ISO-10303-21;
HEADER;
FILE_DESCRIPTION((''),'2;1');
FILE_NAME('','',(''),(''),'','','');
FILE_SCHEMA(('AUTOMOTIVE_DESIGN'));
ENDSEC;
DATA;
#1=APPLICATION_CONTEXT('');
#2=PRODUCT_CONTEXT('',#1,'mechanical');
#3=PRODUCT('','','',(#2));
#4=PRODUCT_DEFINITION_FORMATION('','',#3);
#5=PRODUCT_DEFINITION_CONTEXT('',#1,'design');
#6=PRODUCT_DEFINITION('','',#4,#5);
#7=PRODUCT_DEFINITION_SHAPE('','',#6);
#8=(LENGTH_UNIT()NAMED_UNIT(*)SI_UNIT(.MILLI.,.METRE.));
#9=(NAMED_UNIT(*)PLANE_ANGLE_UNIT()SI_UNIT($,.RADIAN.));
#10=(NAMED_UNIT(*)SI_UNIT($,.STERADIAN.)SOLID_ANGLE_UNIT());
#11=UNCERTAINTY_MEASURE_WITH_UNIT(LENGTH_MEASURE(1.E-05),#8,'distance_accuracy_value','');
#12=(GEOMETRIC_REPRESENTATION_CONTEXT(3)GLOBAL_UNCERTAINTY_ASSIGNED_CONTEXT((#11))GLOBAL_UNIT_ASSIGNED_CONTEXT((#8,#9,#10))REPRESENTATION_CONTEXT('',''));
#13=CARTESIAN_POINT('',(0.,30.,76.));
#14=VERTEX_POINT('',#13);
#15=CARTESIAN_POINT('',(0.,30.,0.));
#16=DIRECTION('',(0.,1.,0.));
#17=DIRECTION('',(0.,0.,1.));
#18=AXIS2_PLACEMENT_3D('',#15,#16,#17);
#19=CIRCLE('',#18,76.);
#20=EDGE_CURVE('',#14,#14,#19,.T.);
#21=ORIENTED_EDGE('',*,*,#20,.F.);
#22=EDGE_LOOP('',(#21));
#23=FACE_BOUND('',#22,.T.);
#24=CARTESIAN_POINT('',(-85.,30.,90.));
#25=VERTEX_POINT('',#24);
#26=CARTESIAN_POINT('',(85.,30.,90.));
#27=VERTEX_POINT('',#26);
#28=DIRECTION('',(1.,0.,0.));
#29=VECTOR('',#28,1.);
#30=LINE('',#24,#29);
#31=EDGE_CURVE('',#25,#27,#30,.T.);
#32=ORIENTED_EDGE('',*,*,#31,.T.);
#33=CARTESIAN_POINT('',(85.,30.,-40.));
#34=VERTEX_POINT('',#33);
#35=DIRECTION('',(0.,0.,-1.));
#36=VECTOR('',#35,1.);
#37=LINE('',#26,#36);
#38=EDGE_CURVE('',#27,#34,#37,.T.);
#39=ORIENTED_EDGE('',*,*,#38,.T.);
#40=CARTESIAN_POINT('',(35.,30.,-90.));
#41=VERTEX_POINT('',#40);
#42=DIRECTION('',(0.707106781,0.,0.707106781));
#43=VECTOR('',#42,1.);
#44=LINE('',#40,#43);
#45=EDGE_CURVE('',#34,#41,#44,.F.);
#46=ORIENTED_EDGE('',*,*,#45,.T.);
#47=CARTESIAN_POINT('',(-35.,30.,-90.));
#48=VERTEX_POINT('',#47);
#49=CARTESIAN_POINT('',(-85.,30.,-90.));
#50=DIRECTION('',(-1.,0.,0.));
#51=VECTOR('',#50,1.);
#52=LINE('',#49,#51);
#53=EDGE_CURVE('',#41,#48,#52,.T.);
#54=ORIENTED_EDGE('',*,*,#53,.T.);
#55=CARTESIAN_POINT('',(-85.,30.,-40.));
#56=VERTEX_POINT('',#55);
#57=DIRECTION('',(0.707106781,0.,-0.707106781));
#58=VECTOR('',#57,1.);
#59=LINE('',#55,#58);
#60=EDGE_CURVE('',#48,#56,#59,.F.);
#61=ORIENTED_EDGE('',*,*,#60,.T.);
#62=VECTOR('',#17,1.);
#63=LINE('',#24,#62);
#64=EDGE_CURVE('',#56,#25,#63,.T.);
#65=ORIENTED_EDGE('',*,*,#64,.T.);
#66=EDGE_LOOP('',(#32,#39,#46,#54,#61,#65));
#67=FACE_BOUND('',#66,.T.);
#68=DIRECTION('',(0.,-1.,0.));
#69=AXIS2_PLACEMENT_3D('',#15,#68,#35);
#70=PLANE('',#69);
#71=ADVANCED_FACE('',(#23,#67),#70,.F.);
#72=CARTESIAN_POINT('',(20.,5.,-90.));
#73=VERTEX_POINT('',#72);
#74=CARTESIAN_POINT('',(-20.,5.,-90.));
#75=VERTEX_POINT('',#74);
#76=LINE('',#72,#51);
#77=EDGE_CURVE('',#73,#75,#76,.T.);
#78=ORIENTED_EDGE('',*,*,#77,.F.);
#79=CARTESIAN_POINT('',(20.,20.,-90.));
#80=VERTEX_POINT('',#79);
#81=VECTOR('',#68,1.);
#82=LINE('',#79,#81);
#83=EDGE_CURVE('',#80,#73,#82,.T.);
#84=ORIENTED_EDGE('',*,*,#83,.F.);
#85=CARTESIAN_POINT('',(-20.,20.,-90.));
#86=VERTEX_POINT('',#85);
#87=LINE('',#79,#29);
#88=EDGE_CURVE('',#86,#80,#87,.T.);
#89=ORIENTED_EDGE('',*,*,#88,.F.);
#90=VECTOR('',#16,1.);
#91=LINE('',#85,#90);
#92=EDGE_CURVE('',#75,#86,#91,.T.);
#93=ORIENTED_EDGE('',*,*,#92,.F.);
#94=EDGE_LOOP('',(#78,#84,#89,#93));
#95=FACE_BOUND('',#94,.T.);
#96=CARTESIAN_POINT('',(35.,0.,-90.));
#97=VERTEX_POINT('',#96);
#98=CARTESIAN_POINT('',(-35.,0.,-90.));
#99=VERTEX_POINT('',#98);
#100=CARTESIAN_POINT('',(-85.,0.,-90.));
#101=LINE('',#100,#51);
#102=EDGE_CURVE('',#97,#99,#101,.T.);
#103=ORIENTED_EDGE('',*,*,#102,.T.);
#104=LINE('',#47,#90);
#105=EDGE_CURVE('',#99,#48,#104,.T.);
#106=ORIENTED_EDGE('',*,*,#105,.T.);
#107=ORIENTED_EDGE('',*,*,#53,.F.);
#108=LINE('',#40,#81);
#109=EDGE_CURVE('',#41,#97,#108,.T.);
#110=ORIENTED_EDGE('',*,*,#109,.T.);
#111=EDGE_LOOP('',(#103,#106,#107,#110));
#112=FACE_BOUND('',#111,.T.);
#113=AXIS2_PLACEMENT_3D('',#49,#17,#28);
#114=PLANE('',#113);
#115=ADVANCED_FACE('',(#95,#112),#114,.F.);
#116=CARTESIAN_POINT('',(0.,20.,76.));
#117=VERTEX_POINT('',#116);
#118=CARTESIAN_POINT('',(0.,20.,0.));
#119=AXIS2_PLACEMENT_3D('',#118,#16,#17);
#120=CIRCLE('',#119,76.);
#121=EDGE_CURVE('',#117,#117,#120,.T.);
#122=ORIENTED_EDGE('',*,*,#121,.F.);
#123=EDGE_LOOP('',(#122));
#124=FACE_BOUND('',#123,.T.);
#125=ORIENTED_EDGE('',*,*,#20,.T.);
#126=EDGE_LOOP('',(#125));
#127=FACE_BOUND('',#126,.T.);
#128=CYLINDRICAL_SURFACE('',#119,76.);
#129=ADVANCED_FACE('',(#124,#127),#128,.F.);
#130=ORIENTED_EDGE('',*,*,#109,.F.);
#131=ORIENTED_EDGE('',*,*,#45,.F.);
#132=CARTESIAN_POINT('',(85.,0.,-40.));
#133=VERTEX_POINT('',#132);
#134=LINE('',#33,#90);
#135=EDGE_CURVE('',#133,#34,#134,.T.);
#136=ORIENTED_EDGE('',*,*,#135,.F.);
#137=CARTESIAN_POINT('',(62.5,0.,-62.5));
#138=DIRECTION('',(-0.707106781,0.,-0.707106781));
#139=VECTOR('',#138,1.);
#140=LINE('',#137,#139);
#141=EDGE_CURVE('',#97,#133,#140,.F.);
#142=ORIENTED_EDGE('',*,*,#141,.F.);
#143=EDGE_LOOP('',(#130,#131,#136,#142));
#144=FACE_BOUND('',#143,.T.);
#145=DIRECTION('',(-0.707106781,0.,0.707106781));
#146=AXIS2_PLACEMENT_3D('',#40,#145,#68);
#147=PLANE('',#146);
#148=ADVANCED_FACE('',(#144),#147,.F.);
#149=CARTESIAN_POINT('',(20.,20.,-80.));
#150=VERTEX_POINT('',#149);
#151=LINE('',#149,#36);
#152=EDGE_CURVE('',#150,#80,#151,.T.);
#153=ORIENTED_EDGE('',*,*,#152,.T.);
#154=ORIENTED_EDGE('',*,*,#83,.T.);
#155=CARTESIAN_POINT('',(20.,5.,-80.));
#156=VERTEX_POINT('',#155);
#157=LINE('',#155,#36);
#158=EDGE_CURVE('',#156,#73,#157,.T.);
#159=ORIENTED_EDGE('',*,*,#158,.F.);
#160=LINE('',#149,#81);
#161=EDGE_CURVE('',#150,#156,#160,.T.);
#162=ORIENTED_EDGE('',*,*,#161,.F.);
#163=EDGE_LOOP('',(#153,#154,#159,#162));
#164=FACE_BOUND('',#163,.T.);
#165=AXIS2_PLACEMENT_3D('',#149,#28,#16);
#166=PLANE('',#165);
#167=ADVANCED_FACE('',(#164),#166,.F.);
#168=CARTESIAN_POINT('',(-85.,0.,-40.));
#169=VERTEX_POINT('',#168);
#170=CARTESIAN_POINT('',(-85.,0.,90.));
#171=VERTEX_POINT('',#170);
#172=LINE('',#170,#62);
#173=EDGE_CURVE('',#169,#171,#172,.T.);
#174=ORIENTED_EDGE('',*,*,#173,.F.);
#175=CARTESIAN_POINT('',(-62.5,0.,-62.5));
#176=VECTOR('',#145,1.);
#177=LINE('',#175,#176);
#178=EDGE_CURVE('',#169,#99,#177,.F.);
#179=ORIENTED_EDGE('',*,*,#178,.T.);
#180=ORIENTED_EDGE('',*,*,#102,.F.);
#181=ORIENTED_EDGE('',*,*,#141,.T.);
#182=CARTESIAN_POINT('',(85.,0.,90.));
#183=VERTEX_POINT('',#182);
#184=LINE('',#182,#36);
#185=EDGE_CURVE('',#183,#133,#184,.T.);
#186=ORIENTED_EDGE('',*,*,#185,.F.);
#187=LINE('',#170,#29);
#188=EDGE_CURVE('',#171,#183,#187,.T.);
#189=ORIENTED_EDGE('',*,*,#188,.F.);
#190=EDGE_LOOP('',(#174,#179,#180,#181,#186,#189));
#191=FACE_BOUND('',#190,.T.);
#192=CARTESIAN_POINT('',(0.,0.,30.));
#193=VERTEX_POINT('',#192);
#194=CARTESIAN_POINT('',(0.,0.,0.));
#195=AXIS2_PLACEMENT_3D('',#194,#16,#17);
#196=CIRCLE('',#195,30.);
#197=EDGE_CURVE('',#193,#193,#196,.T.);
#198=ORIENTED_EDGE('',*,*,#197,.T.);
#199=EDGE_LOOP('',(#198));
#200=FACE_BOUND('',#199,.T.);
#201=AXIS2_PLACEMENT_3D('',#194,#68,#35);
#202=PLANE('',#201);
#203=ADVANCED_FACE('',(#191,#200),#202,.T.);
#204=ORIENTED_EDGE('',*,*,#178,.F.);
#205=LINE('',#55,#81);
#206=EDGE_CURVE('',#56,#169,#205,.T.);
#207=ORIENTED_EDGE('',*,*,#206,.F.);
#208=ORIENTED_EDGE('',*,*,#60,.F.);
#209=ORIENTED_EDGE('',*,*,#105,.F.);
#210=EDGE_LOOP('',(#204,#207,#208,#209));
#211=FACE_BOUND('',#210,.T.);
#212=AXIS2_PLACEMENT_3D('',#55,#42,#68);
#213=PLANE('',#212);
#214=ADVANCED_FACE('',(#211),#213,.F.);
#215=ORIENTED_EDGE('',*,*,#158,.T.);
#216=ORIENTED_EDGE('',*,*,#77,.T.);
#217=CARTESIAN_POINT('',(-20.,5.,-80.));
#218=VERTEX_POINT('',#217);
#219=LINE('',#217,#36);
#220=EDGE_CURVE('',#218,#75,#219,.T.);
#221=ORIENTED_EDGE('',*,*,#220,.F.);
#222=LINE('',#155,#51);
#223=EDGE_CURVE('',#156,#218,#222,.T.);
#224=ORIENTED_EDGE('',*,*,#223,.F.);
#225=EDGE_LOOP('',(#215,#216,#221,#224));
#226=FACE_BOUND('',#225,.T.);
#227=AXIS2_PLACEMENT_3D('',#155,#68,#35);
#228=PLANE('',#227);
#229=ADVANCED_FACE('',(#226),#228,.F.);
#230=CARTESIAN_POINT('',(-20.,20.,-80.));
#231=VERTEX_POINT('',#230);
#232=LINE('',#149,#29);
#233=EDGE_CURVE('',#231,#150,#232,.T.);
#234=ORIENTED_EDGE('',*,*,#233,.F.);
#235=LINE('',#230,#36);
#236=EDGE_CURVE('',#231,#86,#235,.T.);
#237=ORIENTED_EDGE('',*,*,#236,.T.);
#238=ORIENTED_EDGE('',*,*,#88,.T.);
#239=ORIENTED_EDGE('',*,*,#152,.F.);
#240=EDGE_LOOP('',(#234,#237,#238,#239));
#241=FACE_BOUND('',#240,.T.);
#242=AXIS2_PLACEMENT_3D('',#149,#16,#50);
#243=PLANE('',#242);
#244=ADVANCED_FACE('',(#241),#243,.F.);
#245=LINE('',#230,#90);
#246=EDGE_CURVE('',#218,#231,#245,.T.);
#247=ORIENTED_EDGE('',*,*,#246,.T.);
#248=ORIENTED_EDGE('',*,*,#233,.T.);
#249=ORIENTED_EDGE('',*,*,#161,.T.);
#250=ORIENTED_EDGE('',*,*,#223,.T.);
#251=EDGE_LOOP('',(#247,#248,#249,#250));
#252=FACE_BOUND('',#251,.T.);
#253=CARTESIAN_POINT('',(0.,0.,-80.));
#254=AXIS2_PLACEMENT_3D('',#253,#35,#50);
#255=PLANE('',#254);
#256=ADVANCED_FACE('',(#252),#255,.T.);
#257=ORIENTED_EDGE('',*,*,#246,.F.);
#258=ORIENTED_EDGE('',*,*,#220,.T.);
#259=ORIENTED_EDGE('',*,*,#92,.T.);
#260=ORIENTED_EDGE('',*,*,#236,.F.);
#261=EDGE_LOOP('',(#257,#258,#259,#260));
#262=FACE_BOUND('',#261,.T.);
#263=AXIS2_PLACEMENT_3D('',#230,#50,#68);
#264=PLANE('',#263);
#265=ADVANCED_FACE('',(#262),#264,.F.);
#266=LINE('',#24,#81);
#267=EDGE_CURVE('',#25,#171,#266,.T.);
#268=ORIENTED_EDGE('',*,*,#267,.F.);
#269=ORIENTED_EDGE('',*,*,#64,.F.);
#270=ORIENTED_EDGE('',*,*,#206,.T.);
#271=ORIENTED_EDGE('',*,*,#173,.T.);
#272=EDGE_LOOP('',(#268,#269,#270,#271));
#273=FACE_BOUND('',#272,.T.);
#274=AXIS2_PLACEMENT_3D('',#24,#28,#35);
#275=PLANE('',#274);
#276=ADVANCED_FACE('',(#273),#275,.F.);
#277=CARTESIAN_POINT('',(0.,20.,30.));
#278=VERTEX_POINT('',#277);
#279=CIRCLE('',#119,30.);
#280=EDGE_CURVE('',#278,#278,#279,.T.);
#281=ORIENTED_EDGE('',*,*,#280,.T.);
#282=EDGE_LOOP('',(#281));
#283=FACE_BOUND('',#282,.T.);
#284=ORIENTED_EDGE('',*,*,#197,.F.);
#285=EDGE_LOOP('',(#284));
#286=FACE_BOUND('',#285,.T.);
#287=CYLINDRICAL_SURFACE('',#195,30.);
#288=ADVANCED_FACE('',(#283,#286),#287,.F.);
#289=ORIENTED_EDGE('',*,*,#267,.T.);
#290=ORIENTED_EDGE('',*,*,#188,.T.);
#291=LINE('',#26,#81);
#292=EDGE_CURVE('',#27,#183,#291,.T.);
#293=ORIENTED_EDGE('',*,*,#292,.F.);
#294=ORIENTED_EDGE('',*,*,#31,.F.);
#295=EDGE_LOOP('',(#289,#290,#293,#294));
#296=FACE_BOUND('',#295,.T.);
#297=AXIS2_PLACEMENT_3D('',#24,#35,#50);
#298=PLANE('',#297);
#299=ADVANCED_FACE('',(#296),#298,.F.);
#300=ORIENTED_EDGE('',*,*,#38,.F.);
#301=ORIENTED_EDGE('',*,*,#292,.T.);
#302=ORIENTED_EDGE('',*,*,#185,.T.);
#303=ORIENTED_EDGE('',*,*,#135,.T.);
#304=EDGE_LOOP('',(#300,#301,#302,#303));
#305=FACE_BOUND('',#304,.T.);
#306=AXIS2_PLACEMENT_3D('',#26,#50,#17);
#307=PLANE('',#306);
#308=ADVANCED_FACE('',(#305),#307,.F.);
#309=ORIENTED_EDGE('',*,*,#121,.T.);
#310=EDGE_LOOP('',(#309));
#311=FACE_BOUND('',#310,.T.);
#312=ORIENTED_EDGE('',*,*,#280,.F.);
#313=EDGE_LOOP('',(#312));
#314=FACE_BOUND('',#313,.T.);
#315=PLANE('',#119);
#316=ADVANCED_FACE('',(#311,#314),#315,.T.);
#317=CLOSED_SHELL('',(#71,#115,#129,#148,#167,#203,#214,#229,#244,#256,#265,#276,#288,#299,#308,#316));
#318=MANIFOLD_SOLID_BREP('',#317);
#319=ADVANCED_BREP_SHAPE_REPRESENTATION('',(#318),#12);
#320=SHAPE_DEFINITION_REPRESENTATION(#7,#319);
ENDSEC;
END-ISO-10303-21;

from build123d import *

# Parameters (mm, degrees)
SKETCH_1_W          = 170
SKETCH_1_H          = 180
EXTRUDE_1_DEPTH     = 30
CHAMFER_1_SIZE      = 50
SKETCH_3_R          = 76
CUT_EXTRUDE_1_DEPTH = 10
SKETCH_4_R          = 30
CUT_EXTRUDE_2_DEPTH = 126.39936204
SKETCH_5_W          = 40
SKETCH_5_H          = 15
CUT_EXTRUDE_3_DEPTH = 10


with BuildPart() as part:
    # 草图1 → 凸台-拉伸1 (new body)
    with BuildSketch(Plane(origin=(0, 0, 0), x_dir=(1, 0, 0), z_dir=(0, 1, 0))):
        Rectangle(SKETCH_1_W, SKETCH_1_H)
    extrude(amount=EXTRUDE_1_DEPTH)

    # 倒角1
    chamfer_1_edges = [part.edges().sort_by_distance(p)[0] for p in [
        (-85, 15, -90),
        (85, 15, -90),
    ]]
    chamfer(chamfer_1_edges, length=CHAMFER_1_SIZE)

    # 草图3 → 切除-拉伸1 (cut)
    with BuildSketch(Plane(origin=(0, 30, 0), x_dir=(1, 0, 0), z_dir=(0, 1, 0))):
        with Locations(Location((0, 0, 0), (0, 0, 270))):
            Circle(SKETCH_3_R)
    extrude(amount=-CUT_EXTRUDE_1_DEPTH, mode=Mode.SUBTRACT)

    # 草图4 → 切除-拉伸2 (cut, through all)
    with BuildSketch(Plane(origin=(0, 20, 0), x_dir=(1, 0, 0), z_dir=(0, 1, 0))):
        with Locations(Location((0, 0, 0), (0, 0, 270))):
            Circle(SKETCH_4_R)
    extrude(amount=-CUT_EXTRUDE_2_DEPTH, mode=Mode.SUBTRACT)

    # 草图5 → 切除-拉伸3 (cut)
    with BuildSketch(Plane(origin=(0, 0, -90), x_dir=(-1, 0, 0), z_dir=(0, 0, -1))):
        with Locations((0, 12.5)):
            Rectangle(SKETCH_5_W, SKETCH_5_H)
    extrude(amount=-CUT_EXTRUDE_3_DEPTH, mode=Mode.SUBTRACT)


solid = part.part
